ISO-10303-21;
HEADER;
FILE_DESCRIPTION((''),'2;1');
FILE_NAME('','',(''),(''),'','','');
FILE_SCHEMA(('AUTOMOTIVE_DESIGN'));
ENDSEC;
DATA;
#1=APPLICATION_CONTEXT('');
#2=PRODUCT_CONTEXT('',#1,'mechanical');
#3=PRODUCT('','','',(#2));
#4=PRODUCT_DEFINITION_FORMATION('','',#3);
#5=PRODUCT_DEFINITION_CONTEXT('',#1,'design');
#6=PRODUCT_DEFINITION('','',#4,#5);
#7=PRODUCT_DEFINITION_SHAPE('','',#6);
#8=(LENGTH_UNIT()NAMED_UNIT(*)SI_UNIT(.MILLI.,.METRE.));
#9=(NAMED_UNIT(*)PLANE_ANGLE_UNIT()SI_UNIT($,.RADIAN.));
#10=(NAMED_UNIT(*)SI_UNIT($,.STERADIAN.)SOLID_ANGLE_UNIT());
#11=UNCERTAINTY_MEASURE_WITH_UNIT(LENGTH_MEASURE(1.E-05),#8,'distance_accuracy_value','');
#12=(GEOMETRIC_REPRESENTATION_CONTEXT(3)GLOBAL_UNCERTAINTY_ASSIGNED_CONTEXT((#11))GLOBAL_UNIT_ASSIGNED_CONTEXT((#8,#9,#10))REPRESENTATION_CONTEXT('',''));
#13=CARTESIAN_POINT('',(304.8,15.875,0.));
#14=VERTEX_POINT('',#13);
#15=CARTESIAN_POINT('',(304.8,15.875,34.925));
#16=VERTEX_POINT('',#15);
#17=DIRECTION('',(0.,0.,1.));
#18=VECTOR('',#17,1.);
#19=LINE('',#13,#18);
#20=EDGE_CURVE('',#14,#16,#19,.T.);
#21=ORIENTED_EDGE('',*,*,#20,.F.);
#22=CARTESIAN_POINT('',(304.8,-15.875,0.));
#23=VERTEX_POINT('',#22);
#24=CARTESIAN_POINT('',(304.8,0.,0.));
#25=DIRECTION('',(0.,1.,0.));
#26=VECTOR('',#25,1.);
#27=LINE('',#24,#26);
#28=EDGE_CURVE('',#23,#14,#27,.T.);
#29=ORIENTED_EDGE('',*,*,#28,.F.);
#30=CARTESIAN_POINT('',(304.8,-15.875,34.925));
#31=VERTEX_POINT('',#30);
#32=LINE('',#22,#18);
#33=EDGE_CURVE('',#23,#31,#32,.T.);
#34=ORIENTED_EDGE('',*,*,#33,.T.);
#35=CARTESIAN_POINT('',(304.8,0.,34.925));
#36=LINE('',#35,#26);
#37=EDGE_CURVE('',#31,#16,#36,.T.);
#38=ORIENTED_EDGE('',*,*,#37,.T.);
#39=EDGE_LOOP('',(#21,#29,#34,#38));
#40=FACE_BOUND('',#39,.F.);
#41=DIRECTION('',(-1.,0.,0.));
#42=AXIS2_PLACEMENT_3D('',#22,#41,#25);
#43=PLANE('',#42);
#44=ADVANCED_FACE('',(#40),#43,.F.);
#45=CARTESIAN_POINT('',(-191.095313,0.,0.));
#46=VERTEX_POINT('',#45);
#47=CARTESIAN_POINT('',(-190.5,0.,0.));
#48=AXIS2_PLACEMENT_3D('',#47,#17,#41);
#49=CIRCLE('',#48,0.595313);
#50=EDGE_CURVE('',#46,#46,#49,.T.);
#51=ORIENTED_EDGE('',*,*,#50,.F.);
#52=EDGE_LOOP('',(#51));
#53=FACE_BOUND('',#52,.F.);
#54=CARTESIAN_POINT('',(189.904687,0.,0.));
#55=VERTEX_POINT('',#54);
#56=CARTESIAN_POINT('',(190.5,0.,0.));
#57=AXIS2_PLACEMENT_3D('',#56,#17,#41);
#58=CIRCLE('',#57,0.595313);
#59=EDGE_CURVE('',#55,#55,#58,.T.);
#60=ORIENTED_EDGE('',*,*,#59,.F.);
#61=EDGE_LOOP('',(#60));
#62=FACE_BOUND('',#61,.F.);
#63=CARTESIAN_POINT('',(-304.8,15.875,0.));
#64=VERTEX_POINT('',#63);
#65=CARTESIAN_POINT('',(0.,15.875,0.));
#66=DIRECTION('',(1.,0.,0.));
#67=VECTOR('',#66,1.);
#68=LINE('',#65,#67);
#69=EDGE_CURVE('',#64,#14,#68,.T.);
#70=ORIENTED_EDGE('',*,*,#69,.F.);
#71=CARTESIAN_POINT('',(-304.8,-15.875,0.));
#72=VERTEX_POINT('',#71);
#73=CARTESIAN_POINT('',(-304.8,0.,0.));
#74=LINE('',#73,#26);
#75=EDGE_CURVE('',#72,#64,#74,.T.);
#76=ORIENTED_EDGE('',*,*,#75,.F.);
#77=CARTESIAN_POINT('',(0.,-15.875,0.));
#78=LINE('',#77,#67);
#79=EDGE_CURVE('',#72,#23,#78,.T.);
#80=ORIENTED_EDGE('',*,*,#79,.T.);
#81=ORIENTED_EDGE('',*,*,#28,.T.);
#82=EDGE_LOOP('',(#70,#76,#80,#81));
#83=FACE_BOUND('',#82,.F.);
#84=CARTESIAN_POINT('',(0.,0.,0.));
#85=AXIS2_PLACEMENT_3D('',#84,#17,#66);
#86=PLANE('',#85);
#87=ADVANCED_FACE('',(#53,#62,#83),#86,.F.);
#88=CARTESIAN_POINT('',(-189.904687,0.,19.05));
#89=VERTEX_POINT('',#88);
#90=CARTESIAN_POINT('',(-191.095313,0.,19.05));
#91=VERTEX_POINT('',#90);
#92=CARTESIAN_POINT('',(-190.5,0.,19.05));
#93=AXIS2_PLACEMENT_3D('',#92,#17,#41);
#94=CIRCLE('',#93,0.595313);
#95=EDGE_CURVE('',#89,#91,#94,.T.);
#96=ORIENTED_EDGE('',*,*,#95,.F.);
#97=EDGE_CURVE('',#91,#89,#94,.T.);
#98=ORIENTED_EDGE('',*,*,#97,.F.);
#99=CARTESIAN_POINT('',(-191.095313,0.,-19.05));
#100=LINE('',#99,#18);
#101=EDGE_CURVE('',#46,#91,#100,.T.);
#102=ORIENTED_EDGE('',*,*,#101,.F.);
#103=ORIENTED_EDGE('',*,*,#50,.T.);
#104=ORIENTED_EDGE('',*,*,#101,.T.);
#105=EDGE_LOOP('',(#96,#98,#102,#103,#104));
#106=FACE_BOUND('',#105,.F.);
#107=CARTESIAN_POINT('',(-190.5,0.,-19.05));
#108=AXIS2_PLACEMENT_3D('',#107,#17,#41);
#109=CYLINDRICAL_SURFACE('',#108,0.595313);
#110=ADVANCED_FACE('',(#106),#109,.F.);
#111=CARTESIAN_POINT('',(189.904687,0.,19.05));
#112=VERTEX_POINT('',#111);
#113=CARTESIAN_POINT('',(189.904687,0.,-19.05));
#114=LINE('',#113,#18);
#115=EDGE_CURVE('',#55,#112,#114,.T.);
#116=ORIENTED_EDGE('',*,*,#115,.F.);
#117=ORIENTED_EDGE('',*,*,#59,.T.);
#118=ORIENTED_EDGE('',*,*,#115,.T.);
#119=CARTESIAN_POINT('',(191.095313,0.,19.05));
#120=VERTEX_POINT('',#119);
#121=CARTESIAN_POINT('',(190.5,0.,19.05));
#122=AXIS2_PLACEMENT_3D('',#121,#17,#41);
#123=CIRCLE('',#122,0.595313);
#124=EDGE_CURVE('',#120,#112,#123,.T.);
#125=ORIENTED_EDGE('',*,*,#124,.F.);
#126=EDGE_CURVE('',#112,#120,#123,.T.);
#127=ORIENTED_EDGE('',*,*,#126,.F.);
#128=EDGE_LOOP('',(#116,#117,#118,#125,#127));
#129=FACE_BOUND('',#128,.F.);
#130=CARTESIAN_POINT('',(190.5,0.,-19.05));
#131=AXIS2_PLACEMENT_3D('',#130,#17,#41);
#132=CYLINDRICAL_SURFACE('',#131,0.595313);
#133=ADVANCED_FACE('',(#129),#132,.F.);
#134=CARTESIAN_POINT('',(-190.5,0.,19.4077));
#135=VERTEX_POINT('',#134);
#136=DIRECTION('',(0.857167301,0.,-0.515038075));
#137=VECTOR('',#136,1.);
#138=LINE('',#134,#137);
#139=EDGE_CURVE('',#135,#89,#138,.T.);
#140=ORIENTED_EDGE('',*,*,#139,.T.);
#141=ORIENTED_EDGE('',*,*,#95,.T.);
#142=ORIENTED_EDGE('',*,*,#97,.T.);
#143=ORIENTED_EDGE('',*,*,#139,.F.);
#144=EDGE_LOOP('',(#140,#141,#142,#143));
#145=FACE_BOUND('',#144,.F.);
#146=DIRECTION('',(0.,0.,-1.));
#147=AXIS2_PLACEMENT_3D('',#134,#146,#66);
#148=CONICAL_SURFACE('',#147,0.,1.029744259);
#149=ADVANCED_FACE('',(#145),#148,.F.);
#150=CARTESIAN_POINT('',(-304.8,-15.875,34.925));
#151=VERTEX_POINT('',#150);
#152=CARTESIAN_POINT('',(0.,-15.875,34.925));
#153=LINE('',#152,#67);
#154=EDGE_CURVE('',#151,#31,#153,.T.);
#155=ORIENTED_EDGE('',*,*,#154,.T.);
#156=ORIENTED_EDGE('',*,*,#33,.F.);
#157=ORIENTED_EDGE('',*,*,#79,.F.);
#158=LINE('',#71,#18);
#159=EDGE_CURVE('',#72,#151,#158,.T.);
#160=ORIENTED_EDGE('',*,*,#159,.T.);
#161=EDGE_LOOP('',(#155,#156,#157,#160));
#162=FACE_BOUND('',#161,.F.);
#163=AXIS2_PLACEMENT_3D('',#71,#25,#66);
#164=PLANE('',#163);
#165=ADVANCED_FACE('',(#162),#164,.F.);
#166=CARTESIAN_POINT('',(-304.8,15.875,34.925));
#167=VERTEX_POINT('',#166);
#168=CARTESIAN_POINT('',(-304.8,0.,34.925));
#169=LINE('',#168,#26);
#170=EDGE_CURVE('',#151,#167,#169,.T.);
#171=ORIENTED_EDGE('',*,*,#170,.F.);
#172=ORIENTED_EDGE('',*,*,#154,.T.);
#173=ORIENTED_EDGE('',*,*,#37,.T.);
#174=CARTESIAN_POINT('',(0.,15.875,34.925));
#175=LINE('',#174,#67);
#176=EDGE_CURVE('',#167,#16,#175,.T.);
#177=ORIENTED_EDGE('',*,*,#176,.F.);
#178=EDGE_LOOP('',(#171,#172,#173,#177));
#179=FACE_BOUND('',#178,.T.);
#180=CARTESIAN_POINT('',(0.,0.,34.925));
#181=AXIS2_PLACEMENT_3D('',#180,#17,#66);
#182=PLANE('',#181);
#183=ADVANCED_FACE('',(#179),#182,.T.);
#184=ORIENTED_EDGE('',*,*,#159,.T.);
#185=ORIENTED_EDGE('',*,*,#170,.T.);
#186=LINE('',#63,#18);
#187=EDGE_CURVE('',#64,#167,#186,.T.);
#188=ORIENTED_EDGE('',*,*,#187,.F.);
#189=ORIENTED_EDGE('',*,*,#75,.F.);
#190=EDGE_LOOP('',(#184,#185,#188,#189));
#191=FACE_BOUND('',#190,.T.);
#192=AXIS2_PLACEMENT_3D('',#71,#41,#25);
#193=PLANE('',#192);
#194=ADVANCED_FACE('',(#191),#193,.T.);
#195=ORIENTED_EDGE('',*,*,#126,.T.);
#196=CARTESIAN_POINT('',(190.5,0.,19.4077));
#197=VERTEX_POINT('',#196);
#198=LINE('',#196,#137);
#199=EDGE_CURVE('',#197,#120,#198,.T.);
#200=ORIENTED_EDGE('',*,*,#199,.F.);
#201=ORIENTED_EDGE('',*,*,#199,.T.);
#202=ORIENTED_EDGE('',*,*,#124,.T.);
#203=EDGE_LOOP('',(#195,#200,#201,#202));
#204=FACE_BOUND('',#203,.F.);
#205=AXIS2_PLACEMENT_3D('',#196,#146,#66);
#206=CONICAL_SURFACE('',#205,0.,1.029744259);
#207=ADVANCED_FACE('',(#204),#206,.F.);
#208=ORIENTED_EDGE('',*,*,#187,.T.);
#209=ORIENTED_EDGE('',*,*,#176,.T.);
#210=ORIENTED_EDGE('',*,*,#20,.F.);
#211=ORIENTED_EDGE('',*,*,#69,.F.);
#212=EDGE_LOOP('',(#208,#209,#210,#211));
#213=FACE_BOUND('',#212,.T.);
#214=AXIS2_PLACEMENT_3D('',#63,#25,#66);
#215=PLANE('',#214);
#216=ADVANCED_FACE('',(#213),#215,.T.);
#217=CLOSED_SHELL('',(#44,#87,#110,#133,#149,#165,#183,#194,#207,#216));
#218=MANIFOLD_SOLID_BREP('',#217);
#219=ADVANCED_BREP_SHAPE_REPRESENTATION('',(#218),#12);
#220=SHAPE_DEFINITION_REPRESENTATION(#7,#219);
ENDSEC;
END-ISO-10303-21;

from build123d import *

# Parameters (mm, degrees)
F0_W     = 609.6
F0_H     = 31.75
F1_DEPTH = 34.925
F3_D     = 1.190625
F3_DEPTH = 19.05
F3_TIP   = 0.3576998373


with BuildPart() as f1:
    # F0 (on Top) → F1 (new body)
    with BuildSketch(Plane.XY):
        Rectangle(F0_W, F0_H)
    extrude(amount=F1_DEPTH)

    # F3
    with Locations(Plane(origin=(0, 0, 0), x_dir=(1, 0, 0), z_dir=(0, 0, -1))):
        with Locations((-190.5, 0), (190.5, 0)):
            Hole(F3_D / 2, depth=F3_DEPTH)
            with Locations((0, 0, -(F3_DEPTH + F3_TIP / 2))):  # 118° drill point
                Cone(0, F3_D / 2, F3_TIP, mode=Mode.SUBTRACT)


solid = f1.part
